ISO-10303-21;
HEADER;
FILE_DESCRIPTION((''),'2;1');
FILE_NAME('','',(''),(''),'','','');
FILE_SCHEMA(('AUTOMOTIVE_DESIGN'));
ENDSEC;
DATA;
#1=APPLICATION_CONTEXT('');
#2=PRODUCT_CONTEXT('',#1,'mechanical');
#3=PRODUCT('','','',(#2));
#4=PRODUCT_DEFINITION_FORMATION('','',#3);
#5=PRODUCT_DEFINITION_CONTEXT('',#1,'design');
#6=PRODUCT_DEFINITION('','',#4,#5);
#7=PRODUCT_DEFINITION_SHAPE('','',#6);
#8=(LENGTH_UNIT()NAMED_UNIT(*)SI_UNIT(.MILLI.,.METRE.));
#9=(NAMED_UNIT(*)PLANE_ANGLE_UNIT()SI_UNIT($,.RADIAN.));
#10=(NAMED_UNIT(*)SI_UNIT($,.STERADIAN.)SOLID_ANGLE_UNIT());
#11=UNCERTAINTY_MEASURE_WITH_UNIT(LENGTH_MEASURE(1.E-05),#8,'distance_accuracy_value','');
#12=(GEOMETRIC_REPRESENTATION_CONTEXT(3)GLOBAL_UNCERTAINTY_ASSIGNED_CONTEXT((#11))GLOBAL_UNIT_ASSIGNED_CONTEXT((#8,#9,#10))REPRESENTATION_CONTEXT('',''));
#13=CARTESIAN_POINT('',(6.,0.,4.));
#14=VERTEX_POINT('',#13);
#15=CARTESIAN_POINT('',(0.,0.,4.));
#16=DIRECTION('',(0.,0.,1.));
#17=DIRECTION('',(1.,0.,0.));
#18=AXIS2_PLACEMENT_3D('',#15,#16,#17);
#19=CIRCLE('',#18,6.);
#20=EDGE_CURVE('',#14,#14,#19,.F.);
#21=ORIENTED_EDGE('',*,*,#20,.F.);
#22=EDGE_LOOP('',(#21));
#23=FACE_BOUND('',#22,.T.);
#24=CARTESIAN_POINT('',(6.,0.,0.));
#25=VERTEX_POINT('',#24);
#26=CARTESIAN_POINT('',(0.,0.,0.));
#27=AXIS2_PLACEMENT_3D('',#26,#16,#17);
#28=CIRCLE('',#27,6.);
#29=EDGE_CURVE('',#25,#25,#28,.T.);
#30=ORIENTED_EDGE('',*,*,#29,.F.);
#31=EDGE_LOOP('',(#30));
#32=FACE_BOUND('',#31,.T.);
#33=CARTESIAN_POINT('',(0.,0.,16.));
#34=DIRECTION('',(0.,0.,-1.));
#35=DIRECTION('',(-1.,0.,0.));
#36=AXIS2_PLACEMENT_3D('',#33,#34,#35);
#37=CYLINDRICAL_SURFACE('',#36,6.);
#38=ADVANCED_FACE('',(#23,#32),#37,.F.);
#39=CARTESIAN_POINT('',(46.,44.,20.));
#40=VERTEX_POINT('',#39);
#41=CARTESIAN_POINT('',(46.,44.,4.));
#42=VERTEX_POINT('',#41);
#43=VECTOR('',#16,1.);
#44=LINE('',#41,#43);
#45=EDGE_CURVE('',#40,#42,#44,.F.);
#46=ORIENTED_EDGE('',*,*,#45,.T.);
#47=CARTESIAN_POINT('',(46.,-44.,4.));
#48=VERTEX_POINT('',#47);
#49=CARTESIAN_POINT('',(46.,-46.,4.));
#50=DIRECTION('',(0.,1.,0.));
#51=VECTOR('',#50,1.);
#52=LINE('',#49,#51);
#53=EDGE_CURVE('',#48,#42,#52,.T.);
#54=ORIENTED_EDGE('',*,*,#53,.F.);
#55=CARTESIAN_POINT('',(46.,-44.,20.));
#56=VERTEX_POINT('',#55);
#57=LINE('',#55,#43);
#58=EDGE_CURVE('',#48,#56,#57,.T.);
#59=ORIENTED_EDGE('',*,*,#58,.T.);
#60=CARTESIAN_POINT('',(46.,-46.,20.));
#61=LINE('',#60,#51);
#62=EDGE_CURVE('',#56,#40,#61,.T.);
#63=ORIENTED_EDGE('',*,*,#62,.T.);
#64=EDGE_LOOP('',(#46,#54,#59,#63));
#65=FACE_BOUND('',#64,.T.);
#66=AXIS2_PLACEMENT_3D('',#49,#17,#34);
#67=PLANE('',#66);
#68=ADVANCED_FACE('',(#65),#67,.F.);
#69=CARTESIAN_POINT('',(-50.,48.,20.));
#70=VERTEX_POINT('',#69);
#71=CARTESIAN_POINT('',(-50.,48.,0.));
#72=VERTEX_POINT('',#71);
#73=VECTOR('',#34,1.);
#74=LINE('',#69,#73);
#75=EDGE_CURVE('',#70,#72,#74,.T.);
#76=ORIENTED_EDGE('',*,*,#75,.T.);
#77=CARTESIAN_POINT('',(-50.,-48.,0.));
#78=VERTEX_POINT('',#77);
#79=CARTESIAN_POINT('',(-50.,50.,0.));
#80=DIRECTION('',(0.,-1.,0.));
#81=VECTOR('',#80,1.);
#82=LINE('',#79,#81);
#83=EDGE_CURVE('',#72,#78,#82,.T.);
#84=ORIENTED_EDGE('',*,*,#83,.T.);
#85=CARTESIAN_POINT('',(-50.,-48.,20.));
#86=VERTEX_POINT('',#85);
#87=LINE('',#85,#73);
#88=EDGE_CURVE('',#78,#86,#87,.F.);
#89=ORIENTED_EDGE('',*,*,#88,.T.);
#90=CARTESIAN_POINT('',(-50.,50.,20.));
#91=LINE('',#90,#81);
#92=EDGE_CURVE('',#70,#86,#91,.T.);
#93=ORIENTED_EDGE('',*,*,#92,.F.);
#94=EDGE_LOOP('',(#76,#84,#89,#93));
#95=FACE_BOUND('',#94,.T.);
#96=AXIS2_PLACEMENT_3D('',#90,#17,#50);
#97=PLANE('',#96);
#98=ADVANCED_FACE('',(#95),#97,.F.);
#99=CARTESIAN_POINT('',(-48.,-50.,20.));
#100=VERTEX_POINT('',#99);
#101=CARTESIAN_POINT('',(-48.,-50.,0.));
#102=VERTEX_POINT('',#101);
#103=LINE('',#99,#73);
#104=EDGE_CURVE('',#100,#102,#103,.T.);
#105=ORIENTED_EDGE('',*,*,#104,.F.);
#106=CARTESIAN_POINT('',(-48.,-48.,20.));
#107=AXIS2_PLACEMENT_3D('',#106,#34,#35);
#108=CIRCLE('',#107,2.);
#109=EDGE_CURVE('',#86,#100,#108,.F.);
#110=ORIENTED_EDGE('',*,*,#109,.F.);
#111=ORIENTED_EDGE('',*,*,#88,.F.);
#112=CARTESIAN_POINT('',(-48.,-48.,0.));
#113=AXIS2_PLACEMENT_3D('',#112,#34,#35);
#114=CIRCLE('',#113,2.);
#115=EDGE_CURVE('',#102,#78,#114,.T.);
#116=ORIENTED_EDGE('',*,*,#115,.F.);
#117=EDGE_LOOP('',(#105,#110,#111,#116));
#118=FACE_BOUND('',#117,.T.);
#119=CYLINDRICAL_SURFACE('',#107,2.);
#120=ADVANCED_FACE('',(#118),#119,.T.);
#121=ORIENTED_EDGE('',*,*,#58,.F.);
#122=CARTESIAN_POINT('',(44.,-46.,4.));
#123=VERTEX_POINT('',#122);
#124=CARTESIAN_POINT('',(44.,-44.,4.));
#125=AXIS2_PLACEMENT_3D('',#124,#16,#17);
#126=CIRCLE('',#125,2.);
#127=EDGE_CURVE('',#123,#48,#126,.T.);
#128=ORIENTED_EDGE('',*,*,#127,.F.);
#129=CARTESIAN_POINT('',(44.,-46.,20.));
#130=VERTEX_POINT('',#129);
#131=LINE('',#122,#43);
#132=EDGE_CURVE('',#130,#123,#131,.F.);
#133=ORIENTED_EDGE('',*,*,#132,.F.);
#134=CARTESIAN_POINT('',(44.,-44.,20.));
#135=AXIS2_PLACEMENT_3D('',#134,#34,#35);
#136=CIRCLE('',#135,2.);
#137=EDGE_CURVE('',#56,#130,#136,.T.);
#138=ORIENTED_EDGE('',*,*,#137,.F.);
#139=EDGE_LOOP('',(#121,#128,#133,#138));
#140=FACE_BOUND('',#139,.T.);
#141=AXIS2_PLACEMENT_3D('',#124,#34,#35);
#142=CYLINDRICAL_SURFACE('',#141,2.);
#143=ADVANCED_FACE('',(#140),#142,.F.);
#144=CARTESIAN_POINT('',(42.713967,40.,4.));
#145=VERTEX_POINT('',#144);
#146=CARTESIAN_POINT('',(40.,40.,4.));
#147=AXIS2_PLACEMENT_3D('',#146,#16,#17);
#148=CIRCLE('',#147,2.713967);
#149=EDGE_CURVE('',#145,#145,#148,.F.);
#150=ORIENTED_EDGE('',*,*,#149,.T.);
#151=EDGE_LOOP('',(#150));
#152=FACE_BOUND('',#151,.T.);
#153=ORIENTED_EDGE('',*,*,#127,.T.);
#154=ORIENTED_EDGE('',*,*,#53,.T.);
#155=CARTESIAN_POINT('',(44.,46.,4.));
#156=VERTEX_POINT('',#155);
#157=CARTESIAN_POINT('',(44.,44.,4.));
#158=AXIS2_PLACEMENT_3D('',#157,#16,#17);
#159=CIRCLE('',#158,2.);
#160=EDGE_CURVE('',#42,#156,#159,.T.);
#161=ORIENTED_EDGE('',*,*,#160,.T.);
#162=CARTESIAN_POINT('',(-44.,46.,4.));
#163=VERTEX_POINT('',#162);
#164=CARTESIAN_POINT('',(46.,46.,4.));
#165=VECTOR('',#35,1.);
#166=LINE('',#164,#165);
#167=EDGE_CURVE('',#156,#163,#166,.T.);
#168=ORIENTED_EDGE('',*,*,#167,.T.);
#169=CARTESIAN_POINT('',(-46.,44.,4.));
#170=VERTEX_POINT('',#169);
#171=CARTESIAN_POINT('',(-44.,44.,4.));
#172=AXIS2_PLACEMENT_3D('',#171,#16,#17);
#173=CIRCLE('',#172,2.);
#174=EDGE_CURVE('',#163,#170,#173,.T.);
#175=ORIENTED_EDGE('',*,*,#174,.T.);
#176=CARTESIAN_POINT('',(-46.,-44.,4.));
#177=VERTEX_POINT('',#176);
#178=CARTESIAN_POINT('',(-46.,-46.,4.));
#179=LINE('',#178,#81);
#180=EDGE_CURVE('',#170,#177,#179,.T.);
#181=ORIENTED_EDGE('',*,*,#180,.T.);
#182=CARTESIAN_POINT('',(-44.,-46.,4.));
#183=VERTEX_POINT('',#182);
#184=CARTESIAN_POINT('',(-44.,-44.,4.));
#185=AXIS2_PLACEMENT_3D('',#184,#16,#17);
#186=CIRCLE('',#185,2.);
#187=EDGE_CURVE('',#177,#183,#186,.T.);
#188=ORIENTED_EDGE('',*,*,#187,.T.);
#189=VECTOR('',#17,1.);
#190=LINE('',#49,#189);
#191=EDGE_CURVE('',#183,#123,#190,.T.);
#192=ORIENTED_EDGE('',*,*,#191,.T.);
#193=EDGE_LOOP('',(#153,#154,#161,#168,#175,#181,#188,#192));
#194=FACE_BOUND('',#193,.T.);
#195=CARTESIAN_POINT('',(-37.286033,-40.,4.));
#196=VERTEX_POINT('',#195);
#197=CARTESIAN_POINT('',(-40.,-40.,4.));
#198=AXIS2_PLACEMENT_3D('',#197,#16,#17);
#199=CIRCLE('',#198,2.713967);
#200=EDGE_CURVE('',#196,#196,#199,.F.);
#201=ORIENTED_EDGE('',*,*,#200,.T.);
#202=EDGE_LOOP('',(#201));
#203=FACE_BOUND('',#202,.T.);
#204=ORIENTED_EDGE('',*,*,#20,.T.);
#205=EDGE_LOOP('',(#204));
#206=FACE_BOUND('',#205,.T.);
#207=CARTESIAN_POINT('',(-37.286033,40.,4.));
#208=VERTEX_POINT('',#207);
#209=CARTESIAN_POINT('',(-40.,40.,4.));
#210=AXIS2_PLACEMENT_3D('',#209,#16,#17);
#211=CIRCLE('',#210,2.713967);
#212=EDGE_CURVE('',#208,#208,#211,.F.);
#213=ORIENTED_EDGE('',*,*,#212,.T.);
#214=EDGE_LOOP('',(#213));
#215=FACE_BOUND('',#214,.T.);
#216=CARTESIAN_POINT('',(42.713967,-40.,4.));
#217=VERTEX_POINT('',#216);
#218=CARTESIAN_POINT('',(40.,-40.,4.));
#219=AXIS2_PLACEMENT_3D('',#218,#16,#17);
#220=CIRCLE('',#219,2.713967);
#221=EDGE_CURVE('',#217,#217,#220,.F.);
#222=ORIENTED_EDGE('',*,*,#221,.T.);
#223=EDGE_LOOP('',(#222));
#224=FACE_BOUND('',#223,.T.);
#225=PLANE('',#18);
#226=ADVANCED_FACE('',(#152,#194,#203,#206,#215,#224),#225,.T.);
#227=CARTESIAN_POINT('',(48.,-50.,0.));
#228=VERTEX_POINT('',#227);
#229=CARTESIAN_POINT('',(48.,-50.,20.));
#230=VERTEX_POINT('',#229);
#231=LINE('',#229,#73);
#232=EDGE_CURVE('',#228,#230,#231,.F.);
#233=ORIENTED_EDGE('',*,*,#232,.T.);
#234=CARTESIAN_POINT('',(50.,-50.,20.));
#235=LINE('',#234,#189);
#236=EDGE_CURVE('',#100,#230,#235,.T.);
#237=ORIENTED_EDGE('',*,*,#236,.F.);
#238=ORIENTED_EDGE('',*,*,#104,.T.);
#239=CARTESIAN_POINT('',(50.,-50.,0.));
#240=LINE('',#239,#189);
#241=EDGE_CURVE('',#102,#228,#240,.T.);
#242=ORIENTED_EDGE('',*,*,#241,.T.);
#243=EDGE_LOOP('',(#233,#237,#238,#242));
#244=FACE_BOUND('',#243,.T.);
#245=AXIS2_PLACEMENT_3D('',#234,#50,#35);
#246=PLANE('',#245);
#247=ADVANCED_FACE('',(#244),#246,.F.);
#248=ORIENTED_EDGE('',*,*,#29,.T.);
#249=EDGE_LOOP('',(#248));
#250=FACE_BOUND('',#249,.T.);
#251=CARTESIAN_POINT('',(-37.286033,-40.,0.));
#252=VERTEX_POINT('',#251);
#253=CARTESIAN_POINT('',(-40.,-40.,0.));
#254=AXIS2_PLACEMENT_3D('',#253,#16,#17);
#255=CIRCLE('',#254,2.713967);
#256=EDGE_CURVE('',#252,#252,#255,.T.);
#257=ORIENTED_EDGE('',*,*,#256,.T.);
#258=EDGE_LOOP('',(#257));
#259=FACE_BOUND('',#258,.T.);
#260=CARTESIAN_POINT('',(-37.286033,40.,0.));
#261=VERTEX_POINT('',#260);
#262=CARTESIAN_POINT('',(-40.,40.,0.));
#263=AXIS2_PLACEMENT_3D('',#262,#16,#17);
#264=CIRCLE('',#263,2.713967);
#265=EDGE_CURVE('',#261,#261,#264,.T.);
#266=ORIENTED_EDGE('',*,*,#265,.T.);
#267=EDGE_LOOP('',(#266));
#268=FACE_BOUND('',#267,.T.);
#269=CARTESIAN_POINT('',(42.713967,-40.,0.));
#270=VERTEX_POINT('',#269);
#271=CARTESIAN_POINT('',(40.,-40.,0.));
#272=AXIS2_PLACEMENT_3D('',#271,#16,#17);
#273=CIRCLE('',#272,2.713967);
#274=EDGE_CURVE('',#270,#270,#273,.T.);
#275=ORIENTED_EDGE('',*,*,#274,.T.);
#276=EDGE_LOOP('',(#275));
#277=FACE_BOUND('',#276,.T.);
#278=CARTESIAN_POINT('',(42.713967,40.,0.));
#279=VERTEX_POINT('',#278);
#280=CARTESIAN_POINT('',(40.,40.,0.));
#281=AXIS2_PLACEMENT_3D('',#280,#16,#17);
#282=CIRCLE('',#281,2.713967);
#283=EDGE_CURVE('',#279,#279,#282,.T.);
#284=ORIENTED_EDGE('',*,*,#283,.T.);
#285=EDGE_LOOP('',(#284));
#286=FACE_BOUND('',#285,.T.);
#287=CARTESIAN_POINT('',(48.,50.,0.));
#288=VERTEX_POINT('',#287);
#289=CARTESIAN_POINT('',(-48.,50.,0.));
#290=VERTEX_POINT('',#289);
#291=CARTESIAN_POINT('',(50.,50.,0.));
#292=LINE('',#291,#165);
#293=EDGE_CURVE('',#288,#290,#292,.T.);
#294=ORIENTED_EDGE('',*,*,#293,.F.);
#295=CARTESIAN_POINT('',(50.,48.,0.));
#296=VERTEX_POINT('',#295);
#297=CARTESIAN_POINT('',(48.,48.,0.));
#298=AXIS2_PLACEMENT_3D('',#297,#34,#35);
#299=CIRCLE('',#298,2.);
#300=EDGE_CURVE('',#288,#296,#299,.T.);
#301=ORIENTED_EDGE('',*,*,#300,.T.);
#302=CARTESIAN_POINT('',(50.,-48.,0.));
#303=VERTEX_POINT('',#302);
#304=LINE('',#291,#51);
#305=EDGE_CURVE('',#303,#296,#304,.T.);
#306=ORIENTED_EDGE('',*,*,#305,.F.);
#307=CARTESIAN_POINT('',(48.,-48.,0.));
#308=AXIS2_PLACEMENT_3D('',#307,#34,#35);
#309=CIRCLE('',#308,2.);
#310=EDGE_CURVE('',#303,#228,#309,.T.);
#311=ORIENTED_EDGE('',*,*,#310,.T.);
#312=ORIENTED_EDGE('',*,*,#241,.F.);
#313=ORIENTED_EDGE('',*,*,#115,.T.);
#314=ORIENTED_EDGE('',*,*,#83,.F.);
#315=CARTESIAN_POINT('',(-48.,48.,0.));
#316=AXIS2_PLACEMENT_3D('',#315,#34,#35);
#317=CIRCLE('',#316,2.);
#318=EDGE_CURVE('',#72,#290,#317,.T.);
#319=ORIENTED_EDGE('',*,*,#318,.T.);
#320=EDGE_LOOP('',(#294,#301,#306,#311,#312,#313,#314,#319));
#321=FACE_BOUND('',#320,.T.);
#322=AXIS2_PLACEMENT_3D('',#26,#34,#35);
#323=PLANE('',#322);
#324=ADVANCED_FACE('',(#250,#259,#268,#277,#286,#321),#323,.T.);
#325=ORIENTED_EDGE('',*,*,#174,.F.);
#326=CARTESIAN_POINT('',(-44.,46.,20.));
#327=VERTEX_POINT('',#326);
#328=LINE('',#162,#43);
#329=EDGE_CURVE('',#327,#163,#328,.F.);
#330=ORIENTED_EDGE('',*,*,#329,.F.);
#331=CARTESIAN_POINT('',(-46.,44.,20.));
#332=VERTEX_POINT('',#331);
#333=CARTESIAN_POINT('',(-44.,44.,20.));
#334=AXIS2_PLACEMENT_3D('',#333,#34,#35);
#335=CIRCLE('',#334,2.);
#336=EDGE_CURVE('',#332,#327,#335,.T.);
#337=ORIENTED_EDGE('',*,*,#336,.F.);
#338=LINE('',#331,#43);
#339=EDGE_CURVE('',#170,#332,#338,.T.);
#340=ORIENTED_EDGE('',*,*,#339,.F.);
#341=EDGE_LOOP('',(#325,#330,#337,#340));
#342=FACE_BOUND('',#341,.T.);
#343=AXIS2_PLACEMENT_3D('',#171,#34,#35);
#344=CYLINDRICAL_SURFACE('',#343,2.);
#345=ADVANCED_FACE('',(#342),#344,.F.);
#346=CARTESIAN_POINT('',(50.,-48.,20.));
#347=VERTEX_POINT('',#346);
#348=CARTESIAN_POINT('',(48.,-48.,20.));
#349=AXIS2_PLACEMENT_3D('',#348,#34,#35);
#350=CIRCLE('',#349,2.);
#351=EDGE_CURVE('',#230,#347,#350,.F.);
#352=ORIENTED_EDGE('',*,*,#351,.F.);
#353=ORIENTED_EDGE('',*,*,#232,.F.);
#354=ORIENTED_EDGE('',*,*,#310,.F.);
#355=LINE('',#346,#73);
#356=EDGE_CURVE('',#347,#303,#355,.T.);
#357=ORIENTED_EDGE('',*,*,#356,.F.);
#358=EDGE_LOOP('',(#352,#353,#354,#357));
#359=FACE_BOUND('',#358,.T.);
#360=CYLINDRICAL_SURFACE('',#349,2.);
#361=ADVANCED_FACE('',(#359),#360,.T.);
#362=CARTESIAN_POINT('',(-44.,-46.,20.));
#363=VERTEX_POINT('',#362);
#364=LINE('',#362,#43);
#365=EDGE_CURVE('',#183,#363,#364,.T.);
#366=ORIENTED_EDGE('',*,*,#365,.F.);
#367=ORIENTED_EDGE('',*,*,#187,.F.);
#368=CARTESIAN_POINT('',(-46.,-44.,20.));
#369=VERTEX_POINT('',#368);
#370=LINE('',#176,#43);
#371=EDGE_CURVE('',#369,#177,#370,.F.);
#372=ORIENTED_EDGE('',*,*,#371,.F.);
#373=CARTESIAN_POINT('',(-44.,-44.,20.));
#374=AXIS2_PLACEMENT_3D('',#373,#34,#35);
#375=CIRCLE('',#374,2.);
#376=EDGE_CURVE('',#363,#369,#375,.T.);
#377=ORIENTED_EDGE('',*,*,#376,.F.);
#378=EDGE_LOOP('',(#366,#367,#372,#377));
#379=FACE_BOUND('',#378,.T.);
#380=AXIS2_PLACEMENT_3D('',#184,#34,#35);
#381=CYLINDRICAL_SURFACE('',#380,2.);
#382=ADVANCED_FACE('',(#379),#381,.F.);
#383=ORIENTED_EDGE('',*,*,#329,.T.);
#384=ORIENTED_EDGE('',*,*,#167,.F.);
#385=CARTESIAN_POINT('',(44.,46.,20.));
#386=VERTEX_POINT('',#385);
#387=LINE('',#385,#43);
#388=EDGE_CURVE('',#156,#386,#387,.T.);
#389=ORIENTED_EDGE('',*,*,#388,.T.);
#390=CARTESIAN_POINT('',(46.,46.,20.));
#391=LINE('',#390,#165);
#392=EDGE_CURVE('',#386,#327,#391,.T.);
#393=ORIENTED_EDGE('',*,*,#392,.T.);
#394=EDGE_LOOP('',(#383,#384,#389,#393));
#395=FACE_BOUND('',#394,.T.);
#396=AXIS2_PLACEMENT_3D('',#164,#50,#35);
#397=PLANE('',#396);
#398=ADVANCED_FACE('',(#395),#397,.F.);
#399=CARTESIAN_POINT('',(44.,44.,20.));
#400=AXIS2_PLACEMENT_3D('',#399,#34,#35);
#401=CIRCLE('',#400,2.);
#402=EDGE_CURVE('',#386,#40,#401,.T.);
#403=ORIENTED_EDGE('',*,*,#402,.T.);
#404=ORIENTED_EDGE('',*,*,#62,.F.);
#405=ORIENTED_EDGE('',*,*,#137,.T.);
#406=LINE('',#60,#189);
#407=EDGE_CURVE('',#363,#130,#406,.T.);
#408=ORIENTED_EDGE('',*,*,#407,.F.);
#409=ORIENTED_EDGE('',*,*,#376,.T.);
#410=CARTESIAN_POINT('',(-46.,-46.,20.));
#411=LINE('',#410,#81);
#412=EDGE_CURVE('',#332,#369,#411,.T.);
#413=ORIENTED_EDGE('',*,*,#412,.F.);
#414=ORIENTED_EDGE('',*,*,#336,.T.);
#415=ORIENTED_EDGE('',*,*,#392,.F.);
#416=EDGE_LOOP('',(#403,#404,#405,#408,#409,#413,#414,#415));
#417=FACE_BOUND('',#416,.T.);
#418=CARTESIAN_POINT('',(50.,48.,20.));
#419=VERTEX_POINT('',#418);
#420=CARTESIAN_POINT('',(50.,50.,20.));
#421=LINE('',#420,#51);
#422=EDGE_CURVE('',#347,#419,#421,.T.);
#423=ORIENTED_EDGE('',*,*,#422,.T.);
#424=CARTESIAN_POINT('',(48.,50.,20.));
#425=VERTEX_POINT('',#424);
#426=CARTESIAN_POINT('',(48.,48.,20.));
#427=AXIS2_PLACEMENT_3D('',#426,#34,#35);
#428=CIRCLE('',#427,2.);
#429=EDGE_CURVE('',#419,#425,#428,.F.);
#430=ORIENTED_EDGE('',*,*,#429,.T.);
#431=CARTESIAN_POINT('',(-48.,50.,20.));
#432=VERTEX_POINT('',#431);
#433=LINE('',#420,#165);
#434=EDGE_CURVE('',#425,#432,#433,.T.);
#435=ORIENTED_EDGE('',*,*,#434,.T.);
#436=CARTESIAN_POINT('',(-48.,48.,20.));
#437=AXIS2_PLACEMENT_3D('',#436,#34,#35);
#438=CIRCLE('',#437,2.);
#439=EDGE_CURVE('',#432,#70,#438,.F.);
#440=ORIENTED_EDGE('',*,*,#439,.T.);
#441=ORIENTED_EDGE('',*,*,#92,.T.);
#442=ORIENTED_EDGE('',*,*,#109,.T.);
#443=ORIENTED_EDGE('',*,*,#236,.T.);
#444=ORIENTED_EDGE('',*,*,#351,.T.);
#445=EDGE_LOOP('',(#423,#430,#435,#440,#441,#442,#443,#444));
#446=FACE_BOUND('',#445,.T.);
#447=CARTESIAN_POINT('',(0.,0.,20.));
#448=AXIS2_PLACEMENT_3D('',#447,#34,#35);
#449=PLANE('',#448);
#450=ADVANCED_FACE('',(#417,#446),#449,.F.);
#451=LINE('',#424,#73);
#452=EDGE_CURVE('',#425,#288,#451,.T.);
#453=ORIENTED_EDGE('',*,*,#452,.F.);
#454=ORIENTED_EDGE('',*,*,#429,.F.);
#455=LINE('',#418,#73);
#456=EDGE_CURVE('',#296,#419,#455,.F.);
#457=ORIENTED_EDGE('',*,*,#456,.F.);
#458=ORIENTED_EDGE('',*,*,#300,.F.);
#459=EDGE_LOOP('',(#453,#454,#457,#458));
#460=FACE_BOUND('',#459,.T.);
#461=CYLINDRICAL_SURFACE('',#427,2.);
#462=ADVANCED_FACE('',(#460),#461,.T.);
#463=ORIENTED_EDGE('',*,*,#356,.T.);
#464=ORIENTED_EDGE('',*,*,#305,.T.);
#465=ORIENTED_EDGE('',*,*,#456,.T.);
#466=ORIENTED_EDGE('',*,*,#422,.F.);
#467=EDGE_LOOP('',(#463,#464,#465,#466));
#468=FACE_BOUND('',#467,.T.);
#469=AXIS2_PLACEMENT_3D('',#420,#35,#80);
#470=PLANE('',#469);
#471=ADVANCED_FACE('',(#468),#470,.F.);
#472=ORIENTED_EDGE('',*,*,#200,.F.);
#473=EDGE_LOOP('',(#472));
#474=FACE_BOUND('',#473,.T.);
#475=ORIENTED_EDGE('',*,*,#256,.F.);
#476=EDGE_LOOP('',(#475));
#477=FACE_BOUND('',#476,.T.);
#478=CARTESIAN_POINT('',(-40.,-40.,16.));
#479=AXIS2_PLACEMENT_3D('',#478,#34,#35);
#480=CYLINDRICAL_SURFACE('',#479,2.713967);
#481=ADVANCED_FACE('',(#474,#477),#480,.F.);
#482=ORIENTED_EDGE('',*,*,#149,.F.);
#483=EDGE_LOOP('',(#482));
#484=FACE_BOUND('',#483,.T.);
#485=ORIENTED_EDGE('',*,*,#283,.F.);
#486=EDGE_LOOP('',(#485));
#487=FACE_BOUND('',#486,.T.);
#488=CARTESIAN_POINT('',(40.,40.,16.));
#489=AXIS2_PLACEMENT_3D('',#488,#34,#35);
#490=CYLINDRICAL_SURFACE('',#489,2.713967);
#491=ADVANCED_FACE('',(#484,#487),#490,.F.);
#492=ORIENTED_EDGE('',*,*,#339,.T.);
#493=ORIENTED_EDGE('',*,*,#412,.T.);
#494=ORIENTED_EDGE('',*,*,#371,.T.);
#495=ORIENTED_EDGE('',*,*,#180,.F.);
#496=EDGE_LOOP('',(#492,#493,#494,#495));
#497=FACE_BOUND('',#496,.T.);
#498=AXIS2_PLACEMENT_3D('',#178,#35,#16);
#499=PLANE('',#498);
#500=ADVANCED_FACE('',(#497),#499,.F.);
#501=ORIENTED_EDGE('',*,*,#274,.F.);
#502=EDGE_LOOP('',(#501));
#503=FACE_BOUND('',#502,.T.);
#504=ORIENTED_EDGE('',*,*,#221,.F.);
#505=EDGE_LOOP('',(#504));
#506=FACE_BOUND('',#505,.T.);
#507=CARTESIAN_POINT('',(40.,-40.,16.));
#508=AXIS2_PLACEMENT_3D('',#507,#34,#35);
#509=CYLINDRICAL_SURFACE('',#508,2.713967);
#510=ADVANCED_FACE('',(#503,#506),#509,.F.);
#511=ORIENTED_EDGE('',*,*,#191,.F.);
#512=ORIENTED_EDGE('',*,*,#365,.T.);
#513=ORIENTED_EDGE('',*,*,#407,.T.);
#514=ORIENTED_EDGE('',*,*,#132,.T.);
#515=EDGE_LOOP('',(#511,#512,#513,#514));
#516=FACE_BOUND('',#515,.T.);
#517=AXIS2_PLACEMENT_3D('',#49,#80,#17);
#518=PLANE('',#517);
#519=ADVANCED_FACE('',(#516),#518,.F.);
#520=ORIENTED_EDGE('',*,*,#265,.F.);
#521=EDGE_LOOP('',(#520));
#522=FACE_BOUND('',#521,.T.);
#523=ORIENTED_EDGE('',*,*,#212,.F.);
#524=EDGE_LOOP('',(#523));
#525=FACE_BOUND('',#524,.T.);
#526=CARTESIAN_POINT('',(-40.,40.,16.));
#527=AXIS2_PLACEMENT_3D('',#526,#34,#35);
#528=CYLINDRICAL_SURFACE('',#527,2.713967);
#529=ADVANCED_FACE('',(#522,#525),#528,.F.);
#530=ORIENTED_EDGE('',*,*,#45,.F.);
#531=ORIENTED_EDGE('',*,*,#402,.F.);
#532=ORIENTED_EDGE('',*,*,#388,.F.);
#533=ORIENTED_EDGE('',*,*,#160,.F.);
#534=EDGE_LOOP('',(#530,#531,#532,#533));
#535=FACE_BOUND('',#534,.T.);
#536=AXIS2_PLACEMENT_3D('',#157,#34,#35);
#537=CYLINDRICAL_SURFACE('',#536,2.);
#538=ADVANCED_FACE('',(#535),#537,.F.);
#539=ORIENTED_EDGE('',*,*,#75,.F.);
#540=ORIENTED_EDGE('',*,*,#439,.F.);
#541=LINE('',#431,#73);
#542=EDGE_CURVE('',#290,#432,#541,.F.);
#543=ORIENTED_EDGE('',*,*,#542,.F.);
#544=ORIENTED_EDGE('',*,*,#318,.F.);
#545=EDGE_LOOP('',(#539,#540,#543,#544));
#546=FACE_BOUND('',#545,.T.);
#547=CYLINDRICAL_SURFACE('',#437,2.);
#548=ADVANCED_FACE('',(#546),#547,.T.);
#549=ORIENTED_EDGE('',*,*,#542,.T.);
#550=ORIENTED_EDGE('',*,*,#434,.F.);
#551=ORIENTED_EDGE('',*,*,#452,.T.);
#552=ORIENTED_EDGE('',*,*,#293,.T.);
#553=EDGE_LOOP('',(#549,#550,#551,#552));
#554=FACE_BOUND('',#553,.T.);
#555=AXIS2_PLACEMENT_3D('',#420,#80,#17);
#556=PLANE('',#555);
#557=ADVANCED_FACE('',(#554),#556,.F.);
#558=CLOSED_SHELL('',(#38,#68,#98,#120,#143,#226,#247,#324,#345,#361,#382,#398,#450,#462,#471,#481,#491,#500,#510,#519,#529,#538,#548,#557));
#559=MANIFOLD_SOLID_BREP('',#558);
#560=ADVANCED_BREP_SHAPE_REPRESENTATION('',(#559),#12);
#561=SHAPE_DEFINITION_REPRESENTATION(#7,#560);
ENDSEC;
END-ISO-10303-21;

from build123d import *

# Parameters (mm, degrees)
SKETCH1_W           = 100
SKETCH1_H           = 100
BOSS_EXTRUDE1_DEPTH = 20
SKETCH2_W           = 92
SKETCH2_H           = 92
CUT_EXTRUDE1_DEPTH  = 16
FILLET1_R           = 2
SKETCH3_R           = 6
SKETCH3_R_2         = 2.713966801
CUT_EXTRUDE2_DEPTH  = 16


with BuildPart() as part:
    # Sketch1 → Boss-Extrude1 (new body)
    with BuildSketch(Plane.XY):
        Rectangle(SKETCH1_W, SKETCH1_H)
    extrude(amount=BOSS_EXTRUDE1_DEPTH)

    # Sketch2 → Cut-Extrude1 (cut)
    with BuildSketch(Plane.XY.offset(20)):
        Rectangle(SKETCH2_W, SKETCH2_H)
    extrude(amount=-CUT_EXTRUDE1_DEPTH, mode=Mode.SUBTRACT)

    # Fillet1
    fillet1_edges = [part.edges().sort_by_distance(p)[0] for p in [
        (-46, -46, 12),
        (-46, 46, 12),
        (46, 46, 12),
        (46, -46, 12),
        (-50, 50, 10),
        (50, 50, 10),
        (50, -50, 10),
        (-50, -50, 10),
    ]]
    fillet(fillet1_edges, radius=FILLET1_R)

    # Sketch3 → Cut-Extrude2 (cut)
    with BuildSketch(Plane.XY):
        Circle(SKETCH3_R)
        with Locations((-40, 40)):
            Circle(SKETCH3_R_2)
        with Locations((40, 40)):
            Circle(SKETCH3_R_2)
        with Locations((40, -40)):
            Circle(SKETCH3_R_2)
        with Locations((-40, -40)):
            Circle(SKETCH3_R_2)
    extrude(amount=CUT_EXTRUDE2_DEPTH, mode=Mode.SUBTRACT)


solid = part.part
